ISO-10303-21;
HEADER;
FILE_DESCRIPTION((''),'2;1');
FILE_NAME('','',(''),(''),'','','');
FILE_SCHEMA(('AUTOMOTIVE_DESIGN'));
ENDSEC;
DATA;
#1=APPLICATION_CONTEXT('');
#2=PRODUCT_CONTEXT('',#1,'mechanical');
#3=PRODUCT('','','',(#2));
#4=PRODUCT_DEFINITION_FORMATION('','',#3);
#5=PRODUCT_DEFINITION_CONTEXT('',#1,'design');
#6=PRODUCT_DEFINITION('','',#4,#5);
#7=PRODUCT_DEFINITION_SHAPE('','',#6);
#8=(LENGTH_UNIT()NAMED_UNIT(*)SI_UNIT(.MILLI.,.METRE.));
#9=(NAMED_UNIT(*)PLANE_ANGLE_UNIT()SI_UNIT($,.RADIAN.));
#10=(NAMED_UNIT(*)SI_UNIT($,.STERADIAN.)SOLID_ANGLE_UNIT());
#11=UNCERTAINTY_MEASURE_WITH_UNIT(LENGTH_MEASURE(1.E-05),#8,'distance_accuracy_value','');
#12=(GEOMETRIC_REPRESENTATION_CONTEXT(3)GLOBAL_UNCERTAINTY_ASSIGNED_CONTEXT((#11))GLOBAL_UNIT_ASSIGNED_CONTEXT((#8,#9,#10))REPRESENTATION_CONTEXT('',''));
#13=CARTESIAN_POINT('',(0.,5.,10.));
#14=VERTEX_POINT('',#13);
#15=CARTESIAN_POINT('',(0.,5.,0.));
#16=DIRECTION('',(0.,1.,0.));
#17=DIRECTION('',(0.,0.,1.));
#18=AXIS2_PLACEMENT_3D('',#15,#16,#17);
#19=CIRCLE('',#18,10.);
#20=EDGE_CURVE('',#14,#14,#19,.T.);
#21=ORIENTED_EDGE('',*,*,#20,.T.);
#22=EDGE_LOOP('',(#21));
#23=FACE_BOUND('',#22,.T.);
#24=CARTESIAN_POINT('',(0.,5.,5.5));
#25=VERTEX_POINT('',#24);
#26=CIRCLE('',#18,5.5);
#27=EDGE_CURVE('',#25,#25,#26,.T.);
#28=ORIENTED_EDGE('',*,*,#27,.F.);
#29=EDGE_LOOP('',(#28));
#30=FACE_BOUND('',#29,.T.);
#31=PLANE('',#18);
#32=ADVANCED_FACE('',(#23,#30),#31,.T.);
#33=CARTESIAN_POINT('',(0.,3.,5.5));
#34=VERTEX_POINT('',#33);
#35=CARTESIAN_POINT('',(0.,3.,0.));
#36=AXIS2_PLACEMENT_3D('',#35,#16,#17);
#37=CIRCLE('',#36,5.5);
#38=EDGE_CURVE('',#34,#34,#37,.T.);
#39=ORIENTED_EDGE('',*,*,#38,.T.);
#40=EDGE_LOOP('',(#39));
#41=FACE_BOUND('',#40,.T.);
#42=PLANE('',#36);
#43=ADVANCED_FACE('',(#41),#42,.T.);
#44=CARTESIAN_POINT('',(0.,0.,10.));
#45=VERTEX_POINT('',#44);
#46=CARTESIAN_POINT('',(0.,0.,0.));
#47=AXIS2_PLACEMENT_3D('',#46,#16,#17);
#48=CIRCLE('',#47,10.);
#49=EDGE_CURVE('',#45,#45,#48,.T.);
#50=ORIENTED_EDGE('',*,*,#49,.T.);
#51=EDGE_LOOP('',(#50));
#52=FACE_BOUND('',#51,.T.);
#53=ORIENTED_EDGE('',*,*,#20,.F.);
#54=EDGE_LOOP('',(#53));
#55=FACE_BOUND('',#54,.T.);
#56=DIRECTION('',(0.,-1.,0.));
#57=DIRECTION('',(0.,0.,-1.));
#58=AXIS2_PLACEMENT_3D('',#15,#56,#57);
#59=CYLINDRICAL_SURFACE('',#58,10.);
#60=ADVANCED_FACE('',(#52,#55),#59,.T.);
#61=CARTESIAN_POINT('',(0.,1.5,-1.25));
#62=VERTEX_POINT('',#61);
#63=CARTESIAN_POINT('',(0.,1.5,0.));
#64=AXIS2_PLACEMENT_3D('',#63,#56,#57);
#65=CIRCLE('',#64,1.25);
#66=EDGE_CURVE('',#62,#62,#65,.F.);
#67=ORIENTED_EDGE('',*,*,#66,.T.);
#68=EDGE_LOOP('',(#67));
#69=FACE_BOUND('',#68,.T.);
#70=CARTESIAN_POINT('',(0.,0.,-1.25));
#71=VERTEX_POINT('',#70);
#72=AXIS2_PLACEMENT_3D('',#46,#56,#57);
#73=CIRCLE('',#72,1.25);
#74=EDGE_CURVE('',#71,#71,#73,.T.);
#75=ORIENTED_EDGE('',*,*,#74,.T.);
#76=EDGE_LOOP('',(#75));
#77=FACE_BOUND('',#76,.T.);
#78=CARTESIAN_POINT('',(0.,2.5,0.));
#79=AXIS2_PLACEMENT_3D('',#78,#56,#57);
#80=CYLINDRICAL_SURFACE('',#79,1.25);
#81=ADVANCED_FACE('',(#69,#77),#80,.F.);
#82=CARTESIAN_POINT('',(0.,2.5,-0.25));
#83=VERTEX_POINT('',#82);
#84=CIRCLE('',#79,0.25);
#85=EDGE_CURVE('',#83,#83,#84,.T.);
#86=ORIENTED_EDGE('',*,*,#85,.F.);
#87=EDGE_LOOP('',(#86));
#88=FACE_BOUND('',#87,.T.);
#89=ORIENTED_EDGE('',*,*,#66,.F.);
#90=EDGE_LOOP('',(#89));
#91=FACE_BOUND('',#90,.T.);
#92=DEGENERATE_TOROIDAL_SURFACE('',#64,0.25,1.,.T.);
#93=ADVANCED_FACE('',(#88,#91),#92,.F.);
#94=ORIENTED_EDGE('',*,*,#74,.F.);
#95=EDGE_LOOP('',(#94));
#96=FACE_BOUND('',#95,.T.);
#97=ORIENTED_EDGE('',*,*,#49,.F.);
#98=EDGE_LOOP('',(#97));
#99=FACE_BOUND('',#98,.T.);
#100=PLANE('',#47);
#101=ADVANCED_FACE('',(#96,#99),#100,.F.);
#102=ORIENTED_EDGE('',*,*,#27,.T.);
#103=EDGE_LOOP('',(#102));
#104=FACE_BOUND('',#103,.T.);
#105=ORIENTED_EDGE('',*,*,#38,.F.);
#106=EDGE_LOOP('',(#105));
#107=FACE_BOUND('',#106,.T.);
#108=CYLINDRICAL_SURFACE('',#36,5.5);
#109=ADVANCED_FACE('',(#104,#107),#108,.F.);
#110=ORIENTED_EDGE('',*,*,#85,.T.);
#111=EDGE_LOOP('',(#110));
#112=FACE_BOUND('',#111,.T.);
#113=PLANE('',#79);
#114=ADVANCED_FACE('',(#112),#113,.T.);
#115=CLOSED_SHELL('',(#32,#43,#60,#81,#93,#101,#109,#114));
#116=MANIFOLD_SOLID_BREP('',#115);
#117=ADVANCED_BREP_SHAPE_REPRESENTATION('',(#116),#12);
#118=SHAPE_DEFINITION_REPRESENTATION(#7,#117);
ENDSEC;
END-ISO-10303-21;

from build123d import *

# Parameters (mm, degrees)
SKETCH1_R           = 10
BOSS_EXTRUDE1_DEPTH = 5
SKETCH2_R           = 5.5
CUT_EXTRUDE1_DEPTH  = 2
SKETCH3_R           = 1.25
CUT_EXTRUDE2_DEPTH  = 2.5
FILLET1_R           = 1


with BuildPart() as part:
    # Sketch1 → Boss-Extrude1 (new body)
    with BuildSketch(Plane(origin=(0, 0, 0), x_dir=(1, 0, 0), z_dir=(0, 1, 0))):
        Circle(SKETCH1_R)
    extrude(amount=BOSS_EXTRUDE1_DEPTH)

    # Sketch2 → Cut-Extrude1 (cut)
    with BuildSketch(Plane(origin=(0, 5, 0), x_dir=(1, 0, 0), z_dir=(0, 1, 0))):
        Circle(SKETCH2_R)
    extrude(amount=-CUT_EXTRUDE1_DEPTH, mode=Mode.SUBTRACT)

    # Sketch3 → Cut-Extrude2 (cut)
    with BuildSketch(Plane.XZ):
        Circle(SKETCH3_R)
    extrude(amount=-CUT_EXTRUDE2_DEPTH, mode=Mode.SUBTRACT)

    # Fillet1
    fillet1_edges = [part.edges().sort_by_distance(p)[0] for p in [
        (-1.25, 2.5, 0),
    ]]
    fillet(fillet1_edges, radius=FILLET1_R)


solid = part.part
